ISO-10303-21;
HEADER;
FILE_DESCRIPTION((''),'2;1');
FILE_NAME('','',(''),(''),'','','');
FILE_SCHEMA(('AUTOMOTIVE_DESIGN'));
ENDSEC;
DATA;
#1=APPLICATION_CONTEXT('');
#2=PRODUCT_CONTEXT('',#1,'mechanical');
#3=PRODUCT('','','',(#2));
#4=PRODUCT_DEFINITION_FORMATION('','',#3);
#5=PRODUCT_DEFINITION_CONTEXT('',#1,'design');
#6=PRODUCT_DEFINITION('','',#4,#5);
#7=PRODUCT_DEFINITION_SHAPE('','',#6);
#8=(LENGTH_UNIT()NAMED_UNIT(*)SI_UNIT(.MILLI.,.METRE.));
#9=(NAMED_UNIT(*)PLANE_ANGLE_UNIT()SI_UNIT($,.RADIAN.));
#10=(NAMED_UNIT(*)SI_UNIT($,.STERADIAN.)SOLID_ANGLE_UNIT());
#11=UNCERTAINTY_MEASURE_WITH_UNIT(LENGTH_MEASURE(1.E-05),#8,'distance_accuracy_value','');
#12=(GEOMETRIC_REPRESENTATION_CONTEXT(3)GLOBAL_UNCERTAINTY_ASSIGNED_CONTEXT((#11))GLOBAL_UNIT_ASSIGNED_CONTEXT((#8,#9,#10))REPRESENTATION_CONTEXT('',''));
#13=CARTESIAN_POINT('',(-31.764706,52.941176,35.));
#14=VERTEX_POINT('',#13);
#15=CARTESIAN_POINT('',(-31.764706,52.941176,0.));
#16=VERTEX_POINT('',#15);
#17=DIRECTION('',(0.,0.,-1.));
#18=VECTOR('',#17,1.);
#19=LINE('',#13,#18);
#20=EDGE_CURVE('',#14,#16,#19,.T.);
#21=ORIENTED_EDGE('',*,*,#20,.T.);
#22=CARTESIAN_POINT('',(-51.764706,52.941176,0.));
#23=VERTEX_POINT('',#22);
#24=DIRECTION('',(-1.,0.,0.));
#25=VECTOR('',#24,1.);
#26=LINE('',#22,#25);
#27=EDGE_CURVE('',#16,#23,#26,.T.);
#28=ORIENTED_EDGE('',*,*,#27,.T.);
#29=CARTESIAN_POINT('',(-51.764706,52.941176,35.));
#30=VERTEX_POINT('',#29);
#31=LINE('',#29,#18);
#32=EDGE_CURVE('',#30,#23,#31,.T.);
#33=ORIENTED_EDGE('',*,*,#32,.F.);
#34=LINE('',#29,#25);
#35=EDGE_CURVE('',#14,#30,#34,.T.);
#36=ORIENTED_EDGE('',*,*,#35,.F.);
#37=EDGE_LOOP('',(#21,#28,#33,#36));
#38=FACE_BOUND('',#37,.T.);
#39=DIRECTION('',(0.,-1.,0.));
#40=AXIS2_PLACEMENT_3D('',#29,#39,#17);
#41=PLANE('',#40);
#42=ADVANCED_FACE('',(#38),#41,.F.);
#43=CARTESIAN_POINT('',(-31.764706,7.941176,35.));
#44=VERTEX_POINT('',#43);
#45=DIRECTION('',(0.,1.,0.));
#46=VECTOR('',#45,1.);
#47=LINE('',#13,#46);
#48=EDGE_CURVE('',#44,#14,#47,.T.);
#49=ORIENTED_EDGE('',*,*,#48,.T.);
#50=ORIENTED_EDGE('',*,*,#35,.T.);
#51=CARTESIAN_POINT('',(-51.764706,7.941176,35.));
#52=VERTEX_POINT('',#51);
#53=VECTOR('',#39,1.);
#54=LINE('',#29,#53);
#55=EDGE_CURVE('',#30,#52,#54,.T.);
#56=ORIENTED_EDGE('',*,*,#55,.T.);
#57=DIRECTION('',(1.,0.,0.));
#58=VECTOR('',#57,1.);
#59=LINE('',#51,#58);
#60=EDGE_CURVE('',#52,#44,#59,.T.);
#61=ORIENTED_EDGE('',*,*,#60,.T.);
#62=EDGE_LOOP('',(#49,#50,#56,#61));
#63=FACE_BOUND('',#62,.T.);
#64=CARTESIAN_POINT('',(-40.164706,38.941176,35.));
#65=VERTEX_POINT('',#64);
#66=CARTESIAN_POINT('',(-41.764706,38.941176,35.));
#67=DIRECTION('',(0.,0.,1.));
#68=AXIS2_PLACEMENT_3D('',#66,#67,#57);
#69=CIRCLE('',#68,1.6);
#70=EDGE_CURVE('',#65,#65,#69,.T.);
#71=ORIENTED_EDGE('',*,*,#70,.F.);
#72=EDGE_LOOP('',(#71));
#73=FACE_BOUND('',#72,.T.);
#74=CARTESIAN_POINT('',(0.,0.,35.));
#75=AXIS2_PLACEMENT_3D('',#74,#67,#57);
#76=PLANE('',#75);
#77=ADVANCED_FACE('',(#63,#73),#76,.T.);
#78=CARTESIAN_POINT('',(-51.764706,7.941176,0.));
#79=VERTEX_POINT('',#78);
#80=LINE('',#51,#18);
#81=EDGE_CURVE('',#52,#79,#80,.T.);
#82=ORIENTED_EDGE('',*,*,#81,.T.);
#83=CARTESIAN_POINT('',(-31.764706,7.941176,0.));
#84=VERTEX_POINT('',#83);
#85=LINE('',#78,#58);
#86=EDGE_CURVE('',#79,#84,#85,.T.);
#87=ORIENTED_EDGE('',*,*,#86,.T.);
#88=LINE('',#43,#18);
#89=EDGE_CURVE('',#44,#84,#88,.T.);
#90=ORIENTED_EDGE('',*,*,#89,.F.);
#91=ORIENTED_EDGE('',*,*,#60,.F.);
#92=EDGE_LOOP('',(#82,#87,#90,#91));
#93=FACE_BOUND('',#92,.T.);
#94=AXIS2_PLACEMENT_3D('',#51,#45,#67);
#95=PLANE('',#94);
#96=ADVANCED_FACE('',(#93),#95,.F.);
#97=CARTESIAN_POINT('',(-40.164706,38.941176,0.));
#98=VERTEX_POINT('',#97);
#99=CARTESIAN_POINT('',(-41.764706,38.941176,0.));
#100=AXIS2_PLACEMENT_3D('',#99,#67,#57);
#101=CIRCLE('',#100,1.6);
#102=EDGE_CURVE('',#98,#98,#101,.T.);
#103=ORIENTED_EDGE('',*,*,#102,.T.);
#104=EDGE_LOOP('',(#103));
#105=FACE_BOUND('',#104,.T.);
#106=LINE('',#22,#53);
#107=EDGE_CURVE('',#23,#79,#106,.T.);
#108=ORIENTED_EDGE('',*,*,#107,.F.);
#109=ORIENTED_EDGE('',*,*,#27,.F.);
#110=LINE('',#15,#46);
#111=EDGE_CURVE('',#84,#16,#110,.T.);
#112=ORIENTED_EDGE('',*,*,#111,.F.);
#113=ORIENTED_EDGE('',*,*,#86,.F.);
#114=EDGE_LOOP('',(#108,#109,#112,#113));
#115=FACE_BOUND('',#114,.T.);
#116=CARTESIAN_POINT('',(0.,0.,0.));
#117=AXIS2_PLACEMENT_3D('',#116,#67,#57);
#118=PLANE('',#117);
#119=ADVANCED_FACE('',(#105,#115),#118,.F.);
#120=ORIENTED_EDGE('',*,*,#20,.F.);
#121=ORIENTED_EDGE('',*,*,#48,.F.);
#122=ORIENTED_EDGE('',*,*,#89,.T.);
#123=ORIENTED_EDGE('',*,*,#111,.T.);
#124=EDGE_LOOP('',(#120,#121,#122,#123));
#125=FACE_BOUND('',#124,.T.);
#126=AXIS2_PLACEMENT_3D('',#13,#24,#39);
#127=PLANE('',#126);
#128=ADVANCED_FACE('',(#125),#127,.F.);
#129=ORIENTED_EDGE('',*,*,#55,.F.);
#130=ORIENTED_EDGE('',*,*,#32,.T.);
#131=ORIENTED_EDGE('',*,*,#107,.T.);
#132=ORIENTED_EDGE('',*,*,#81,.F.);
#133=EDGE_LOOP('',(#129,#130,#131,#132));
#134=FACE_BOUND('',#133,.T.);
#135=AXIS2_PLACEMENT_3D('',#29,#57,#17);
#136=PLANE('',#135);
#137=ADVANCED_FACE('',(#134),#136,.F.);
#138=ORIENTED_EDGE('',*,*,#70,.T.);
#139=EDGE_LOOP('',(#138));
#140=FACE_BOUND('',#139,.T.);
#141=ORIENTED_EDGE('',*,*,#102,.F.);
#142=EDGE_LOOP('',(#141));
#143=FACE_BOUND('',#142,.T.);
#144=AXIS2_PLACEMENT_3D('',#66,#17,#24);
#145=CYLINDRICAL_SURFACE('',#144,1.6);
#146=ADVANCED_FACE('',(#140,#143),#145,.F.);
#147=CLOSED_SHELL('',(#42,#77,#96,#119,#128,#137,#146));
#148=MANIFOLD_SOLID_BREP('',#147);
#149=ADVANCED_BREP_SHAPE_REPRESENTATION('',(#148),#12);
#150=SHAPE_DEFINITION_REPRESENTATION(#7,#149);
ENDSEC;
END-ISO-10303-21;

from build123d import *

# Parameters (mm, degrees)
SKETCH_1_W      = 20
SKETCH_1_H      = 45
SKETCH_1_R      = 1.6
EXTRUDE_1_DEPTH = 35


with BuildPart() as part:
    # 草圖1 → 填料-伸長1 (new body)
    with BuildSketch(Plane.XY):
        with Locations((-41.764705882, 30.441176471)):
            Rectangle(SKETCH_1_W, SKETCH_1_H)
        with Locations((-41.764705882, 38.941176471)):
            Circle(SKETCH_1_R, mode=Mode.SUBTRACT)
    extrude(amount=EXTRUDE_1_DEPTH)


solid = part.part
